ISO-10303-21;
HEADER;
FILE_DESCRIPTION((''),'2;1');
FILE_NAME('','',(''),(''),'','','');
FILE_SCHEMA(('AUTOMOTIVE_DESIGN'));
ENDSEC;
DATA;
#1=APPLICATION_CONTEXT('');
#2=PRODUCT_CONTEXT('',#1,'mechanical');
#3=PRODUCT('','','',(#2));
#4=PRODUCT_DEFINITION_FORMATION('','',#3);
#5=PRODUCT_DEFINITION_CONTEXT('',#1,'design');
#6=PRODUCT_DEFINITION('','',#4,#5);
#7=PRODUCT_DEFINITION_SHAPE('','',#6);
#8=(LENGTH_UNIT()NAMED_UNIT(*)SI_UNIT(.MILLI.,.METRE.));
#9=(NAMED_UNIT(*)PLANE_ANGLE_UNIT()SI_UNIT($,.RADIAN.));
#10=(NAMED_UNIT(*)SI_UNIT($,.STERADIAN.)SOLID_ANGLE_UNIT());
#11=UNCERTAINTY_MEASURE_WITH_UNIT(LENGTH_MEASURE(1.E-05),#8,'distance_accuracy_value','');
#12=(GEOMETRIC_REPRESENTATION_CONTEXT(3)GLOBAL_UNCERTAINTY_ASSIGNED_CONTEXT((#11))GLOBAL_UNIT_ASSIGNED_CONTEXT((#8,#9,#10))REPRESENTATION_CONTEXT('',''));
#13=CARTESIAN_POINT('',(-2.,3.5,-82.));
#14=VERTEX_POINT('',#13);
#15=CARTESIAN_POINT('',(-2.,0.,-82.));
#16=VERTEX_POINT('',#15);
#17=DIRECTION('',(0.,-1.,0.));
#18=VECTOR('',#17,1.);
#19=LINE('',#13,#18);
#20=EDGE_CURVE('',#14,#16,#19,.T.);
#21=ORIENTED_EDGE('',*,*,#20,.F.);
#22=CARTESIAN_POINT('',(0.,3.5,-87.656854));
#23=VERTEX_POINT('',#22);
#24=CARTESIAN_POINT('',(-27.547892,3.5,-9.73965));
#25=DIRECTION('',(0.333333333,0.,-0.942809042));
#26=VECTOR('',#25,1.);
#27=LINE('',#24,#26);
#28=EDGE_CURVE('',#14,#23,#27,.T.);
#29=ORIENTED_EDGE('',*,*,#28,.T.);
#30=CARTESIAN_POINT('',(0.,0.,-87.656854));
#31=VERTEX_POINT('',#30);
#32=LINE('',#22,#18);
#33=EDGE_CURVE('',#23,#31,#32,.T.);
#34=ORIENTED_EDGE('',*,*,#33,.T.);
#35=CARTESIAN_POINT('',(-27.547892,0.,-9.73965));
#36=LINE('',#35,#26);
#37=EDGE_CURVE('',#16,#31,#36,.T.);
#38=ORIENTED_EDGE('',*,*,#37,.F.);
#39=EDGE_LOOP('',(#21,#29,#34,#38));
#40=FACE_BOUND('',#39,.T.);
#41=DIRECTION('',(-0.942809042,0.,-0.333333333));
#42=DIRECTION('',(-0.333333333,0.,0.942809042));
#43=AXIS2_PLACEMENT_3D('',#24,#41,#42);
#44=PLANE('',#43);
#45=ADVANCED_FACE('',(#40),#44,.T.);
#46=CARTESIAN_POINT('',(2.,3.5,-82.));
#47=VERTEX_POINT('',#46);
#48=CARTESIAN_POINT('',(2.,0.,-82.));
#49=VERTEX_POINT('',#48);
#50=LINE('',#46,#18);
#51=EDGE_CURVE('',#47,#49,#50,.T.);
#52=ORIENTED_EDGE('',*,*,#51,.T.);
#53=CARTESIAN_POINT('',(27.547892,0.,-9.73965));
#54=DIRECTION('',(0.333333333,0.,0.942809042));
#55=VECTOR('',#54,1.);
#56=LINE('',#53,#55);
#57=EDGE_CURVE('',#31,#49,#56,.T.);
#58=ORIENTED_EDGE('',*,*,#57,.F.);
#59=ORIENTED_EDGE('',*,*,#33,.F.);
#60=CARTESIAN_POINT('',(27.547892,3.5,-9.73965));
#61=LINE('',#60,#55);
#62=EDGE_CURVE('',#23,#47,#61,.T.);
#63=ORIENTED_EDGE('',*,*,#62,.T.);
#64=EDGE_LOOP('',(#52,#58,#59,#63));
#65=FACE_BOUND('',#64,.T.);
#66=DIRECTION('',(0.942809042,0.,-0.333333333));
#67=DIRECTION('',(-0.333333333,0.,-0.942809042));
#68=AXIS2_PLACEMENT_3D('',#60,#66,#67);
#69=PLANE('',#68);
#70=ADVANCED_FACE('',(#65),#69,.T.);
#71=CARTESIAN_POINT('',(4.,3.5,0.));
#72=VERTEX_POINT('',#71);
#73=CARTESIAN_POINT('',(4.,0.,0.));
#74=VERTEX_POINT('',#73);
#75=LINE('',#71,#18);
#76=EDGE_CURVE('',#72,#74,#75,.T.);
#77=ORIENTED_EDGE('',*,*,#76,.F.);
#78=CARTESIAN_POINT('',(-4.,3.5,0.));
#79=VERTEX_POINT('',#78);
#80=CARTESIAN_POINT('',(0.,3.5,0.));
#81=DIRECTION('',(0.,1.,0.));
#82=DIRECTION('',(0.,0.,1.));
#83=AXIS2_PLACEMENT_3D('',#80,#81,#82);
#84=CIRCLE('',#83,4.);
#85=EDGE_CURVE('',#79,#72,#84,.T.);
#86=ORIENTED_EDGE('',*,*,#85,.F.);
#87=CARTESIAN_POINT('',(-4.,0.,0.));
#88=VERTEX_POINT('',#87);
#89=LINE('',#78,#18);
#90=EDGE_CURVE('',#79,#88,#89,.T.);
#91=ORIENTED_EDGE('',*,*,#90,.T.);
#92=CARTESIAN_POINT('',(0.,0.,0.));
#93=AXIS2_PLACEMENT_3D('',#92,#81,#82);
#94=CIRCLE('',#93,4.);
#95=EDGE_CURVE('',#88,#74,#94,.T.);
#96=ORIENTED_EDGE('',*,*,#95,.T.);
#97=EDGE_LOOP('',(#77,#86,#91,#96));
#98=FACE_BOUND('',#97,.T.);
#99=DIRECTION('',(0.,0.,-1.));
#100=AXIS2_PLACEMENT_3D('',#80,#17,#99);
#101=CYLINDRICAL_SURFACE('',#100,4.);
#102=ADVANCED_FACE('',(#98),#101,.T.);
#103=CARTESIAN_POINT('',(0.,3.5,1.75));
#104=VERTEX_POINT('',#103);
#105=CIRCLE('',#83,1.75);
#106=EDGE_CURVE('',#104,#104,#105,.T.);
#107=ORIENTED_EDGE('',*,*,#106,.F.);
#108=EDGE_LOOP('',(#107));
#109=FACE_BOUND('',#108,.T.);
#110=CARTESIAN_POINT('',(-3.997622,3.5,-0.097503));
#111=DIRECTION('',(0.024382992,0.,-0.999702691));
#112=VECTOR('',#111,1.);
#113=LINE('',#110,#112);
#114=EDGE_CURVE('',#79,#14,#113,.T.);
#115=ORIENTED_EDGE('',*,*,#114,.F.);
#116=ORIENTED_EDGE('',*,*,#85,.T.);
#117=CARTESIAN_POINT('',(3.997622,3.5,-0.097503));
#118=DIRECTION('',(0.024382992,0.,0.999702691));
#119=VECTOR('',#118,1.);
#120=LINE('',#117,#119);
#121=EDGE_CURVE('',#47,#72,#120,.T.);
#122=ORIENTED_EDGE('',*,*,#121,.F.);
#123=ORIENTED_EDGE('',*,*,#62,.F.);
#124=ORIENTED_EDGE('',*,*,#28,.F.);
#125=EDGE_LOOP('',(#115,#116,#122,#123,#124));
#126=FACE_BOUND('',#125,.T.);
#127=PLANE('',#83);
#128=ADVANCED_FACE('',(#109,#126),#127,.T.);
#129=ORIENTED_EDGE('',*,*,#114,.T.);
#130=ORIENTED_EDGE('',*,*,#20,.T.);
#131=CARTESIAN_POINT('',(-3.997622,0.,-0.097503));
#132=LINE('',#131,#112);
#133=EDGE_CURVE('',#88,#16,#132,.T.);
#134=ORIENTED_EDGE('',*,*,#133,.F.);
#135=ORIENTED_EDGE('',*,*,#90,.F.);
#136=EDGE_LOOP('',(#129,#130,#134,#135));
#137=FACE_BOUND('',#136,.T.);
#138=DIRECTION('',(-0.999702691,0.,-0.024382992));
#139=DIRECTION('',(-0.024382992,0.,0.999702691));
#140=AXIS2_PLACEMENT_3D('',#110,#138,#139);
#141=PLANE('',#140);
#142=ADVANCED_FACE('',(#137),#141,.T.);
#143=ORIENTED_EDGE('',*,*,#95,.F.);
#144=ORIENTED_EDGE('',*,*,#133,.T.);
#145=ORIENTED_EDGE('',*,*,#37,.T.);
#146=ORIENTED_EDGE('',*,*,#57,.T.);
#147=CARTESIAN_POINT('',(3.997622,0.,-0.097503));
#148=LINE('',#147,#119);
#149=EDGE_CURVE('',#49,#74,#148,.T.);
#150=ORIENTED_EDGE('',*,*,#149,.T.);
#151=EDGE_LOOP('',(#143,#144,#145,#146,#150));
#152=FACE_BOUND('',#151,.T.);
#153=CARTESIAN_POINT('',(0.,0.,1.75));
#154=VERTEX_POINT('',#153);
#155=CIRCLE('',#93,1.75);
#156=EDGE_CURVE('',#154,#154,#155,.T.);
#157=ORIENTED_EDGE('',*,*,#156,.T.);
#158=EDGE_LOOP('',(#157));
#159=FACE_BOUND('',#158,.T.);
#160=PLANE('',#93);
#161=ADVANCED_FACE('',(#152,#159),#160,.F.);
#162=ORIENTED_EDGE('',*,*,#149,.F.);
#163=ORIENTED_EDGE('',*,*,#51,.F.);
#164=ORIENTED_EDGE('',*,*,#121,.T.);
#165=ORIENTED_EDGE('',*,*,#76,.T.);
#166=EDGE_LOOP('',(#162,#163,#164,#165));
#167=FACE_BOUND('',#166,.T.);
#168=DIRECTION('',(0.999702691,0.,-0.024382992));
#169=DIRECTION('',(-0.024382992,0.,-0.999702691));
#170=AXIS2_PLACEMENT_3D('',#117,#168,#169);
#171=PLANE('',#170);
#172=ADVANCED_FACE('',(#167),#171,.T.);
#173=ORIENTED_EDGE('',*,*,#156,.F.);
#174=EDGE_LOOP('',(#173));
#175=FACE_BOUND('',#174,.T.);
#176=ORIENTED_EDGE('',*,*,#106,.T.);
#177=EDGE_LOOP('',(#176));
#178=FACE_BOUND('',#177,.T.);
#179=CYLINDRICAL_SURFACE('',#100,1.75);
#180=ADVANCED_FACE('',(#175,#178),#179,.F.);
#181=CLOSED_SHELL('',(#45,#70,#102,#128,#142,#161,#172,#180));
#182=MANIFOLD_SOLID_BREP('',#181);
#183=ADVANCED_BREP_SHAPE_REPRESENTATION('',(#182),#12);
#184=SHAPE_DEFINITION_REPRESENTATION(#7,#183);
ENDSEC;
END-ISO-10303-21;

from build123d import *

# Parameters (mm, degrees)
SKICA1_R                = 1.75
P_IDAT_VYSUNUT_M1_DEPTH = 3.5


with BuildPart() as part:
    # Skica1 → Přidat vysunutím1 (new body)
    # profile 1 of 2: a face of its own
    with BuildSketch(Plane(origin=(0, 0, 0), x_dir=(1, 0, 0), z_dir=(0, 1, 0))):
        with BuildLine():
            Line((-2, 82), (-3.995243757, 0.195005945))
            ThreePointArc((-3.995243757, 0.195005945), (0, 4), (3.995243757, 0.195005945))
            Line((3.995243757, 0.195005945), (2, 82))
            Line((2, 82), (0, 87.656854249))
            Line((0, 87.656854249), (-2, 82))
        make_face()
    # profile 2 of 2: a face of its own
    with BuildSketch(Plane(origin=(0, 0, 0), x_dir=(1, 0, 0), z_dir=(0, 1, 0))):
        with BuildLine():
            Line((-3.995243757, 0.195005945), (-4, 0))
            ThreePointArc((-4, 0), (0, -4), (4, 0))
            Line((4, 0), (3.995243757, 0.195005945))
            ThreePointArc((3.995243757, 0.195005945), (0, 4), (-3.995243757, 0.195005945))
        make_face()
        with Locations(Location((0, 0, 0), (0, 0, 270))):
            Circle(SKICA1_R, mode=Mode.SUBTRACT)
    extrude(amount=P_IDAT_VYSUNUT_M1_DEPTH)


solid = part.part
